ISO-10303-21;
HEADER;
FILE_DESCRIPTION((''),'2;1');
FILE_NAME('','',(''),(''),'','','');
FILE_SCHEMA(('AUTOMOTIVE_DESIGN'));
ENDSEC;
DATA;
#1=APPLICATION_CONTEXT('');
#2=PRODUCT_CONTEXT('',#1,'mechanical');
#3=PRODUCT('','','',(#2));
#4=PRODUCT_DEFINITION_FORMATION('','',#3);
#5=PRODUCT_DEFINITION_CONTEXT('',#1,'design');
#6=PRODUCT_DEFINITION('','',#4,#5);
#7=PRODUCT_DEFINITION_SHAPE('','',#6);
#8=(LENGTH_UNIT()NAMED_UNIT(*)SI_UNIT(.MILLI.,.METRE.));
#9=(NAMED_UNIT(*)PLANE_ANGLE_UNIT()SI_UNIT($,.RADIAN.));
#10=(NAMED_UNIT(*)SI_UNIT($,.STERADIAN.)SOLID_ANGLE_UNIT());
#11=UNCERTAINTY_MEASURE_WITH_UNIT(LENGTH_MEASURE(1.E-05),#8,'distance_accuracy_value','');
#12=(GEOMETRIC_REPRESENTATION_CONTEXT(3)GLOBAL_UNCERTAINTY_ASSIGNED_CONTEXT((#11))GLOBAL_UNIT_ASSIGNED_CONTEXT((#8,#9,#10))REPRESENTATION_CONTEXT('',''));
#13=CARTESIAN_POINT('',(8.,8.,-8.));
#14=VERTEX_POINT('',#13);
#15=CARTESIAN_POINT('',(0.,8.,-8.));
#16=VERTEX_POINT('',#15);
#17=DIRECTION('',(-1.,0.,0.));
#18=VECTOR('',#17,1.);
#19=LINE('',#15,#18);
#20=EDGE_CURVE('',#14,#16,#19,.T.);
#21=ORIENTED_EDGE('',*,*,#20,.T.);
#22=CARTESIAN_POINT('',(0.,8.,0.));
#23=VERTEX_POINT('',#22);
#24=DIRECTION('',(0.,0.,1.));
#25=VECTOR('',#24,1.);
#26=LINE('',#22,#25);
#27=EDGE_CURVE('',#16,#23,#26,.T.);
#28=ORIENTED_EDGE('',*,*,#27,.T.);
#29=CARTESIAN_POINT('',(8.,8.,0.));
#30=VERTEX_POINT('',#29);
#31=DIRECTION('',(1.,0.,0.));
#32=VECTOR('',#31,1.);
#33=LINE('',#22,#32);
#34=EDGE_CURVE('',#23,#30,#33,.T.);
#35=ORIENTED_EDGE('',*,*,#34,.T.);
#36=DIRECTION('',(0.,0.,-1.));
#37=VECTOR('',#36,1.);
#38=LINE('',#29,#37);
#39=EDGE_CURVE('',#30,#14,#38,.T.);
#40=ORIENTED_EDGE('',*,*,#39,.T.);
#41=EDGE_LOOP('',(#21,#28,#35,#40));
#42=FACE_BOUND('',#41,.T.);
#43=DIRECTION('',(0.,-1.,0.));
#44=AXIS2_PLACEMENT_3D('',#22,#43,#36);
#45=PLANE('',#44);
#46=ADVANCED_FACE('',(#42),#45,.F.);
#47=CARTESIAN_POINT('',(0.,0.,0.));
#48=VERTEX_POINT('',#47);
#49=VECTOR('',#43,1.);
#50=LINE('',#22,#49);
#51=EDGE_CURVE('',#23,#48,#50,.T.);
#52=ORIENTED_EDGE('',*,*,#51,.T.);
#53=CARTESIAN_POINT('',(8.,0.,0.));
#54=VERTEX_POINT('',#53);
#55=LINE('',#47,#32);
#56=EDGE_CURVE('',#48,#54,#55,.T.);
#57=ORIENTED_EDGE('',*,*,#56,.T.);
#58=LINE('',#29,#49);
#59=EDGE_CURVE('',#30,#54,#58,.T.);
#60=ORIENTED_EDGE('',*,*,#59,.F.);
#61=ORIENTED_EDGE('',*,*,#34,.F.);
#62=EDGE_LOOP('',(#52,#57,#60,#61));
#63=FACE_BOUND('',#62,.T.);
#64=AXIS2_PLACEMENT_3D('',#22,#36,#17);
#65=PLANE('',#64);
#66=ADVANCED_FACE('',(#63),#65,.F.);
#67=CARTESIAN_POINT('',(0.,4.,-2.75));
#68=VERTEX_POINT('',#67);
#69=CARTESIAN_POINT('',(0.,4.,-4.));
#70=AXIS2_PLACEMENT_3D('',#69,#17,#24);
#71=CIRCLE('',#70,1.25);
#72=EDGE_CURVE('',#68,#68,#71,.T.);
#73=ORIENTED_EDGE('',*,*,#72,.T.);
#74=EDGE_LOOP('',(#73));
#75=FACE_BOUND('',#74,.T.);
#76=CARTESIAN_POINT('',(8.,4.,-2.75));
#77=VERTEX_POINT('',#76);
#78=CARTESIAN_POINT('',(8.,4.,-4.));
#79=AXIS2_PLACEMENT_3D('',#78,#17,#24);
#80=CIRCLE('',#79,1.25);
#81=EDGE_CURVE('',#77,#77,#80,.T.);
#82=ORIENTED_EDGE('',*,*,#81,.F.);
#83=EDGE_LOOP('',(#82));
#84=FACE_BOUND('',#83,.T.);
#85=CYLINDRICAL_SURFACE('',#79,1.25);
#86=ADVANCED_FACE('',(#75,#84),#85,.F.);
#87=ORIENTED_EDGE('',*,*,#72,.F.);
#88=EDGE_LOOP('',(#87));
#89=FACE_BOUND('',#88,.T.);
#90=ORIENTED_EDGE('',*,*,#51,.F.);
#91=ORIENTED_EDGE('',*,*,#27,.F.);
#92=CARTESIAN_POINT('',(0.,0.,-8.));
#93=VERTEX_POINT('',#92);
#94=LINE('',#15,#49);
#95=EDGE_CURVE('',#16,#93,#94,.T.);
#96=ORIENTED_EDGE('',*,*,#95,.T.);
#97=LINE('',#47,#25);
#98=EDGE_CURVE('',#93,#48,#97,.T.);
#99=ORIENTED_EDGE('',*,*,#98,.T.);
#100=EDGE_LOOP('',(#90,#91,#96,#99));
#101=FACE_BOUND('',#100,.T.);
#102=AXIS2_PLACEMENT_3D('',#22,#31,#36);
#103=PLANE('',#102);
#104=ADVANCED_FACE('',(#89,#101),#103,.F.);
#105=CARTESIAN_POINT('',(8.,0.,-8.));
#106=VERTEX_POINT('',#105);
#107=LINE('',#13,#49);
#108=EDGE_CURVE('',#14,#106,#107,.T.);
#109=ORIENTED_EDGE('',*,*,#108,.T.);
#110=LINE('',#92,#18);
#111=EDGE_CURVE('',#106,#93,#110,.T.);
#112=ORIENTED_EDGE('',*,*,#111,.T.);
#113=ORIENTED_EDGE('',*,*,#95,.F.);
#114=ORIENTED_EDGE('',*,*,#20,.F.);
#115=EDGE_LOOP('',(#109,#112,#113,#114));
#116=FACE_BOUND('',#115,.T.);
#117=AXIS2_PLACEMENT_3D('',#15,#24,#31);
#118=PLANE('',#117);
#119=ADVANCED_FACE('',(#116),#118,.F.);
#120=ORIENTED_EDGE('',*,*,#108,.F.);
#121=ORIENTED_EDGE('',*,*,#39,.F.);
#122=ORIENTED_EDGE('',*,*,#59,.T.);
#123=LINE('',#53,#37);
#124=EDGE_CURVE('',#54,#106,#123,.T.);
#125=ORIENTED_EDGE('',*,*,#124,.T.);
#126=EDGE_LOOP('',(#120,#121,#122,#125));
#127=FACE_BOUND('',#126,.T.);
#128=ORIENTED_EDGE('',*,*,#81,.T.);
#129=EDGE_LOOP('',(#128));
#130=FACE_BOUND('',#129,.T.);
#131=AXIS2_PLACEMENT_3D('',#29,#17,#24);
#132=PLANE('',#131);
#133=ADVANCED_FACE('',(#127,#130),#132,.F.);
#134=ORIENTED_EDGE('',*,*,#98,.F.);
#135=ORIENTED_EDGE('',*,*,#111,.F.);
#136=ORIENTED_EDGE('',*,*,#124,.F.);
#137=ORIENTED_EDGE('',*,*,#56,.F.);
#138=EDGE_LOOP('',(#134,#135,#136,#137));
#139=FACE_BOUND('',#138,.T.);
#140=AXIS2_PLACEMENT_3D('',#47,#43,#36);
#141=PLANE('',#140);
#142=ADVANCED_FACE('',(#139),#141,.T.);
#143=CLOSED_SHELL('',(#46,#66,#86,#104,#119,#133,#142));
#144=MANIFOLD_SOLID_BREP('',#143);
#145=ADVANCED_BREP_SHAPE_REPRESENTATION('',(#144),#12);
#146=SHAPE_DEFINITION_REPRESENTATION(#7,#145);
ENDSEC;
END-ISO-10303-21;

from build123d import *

# Parameters (mm, degrees)
SKETCH_1_W          = 8
SKETCH_1_H          = 8
EXTRUDE_1_DEPTH     = 8
SKETCH_2_R          = 1.25
CUT_EXTRUDE_1_DEPTH = 8


with BuildPart() as part:
    # 草图1 → 凸台-拉伸1 (new body)
    with BuildSketch(Plane(origin=(0, 0, 0), x_dir=(1, 0, 0), z_dir=(0, 1, 0))):
        with Locations((4, 4)):
            Rectangle(SKETCH_1_W, SKETCH_1_H)
    extrude(amount=EXTRUDE_1_DEPTH)

    # 草图2 → 切除-拉伸1 (cut)
    with BuildSketch(Plane.ZY):
        with Locations((-4, 4)):
            Circle(SKETCH_2_R)
    extrude(amount=-CUT_EXTRUDE_1_DEPTH, mode=Mode.SUBTRACT)


solid = part.part
